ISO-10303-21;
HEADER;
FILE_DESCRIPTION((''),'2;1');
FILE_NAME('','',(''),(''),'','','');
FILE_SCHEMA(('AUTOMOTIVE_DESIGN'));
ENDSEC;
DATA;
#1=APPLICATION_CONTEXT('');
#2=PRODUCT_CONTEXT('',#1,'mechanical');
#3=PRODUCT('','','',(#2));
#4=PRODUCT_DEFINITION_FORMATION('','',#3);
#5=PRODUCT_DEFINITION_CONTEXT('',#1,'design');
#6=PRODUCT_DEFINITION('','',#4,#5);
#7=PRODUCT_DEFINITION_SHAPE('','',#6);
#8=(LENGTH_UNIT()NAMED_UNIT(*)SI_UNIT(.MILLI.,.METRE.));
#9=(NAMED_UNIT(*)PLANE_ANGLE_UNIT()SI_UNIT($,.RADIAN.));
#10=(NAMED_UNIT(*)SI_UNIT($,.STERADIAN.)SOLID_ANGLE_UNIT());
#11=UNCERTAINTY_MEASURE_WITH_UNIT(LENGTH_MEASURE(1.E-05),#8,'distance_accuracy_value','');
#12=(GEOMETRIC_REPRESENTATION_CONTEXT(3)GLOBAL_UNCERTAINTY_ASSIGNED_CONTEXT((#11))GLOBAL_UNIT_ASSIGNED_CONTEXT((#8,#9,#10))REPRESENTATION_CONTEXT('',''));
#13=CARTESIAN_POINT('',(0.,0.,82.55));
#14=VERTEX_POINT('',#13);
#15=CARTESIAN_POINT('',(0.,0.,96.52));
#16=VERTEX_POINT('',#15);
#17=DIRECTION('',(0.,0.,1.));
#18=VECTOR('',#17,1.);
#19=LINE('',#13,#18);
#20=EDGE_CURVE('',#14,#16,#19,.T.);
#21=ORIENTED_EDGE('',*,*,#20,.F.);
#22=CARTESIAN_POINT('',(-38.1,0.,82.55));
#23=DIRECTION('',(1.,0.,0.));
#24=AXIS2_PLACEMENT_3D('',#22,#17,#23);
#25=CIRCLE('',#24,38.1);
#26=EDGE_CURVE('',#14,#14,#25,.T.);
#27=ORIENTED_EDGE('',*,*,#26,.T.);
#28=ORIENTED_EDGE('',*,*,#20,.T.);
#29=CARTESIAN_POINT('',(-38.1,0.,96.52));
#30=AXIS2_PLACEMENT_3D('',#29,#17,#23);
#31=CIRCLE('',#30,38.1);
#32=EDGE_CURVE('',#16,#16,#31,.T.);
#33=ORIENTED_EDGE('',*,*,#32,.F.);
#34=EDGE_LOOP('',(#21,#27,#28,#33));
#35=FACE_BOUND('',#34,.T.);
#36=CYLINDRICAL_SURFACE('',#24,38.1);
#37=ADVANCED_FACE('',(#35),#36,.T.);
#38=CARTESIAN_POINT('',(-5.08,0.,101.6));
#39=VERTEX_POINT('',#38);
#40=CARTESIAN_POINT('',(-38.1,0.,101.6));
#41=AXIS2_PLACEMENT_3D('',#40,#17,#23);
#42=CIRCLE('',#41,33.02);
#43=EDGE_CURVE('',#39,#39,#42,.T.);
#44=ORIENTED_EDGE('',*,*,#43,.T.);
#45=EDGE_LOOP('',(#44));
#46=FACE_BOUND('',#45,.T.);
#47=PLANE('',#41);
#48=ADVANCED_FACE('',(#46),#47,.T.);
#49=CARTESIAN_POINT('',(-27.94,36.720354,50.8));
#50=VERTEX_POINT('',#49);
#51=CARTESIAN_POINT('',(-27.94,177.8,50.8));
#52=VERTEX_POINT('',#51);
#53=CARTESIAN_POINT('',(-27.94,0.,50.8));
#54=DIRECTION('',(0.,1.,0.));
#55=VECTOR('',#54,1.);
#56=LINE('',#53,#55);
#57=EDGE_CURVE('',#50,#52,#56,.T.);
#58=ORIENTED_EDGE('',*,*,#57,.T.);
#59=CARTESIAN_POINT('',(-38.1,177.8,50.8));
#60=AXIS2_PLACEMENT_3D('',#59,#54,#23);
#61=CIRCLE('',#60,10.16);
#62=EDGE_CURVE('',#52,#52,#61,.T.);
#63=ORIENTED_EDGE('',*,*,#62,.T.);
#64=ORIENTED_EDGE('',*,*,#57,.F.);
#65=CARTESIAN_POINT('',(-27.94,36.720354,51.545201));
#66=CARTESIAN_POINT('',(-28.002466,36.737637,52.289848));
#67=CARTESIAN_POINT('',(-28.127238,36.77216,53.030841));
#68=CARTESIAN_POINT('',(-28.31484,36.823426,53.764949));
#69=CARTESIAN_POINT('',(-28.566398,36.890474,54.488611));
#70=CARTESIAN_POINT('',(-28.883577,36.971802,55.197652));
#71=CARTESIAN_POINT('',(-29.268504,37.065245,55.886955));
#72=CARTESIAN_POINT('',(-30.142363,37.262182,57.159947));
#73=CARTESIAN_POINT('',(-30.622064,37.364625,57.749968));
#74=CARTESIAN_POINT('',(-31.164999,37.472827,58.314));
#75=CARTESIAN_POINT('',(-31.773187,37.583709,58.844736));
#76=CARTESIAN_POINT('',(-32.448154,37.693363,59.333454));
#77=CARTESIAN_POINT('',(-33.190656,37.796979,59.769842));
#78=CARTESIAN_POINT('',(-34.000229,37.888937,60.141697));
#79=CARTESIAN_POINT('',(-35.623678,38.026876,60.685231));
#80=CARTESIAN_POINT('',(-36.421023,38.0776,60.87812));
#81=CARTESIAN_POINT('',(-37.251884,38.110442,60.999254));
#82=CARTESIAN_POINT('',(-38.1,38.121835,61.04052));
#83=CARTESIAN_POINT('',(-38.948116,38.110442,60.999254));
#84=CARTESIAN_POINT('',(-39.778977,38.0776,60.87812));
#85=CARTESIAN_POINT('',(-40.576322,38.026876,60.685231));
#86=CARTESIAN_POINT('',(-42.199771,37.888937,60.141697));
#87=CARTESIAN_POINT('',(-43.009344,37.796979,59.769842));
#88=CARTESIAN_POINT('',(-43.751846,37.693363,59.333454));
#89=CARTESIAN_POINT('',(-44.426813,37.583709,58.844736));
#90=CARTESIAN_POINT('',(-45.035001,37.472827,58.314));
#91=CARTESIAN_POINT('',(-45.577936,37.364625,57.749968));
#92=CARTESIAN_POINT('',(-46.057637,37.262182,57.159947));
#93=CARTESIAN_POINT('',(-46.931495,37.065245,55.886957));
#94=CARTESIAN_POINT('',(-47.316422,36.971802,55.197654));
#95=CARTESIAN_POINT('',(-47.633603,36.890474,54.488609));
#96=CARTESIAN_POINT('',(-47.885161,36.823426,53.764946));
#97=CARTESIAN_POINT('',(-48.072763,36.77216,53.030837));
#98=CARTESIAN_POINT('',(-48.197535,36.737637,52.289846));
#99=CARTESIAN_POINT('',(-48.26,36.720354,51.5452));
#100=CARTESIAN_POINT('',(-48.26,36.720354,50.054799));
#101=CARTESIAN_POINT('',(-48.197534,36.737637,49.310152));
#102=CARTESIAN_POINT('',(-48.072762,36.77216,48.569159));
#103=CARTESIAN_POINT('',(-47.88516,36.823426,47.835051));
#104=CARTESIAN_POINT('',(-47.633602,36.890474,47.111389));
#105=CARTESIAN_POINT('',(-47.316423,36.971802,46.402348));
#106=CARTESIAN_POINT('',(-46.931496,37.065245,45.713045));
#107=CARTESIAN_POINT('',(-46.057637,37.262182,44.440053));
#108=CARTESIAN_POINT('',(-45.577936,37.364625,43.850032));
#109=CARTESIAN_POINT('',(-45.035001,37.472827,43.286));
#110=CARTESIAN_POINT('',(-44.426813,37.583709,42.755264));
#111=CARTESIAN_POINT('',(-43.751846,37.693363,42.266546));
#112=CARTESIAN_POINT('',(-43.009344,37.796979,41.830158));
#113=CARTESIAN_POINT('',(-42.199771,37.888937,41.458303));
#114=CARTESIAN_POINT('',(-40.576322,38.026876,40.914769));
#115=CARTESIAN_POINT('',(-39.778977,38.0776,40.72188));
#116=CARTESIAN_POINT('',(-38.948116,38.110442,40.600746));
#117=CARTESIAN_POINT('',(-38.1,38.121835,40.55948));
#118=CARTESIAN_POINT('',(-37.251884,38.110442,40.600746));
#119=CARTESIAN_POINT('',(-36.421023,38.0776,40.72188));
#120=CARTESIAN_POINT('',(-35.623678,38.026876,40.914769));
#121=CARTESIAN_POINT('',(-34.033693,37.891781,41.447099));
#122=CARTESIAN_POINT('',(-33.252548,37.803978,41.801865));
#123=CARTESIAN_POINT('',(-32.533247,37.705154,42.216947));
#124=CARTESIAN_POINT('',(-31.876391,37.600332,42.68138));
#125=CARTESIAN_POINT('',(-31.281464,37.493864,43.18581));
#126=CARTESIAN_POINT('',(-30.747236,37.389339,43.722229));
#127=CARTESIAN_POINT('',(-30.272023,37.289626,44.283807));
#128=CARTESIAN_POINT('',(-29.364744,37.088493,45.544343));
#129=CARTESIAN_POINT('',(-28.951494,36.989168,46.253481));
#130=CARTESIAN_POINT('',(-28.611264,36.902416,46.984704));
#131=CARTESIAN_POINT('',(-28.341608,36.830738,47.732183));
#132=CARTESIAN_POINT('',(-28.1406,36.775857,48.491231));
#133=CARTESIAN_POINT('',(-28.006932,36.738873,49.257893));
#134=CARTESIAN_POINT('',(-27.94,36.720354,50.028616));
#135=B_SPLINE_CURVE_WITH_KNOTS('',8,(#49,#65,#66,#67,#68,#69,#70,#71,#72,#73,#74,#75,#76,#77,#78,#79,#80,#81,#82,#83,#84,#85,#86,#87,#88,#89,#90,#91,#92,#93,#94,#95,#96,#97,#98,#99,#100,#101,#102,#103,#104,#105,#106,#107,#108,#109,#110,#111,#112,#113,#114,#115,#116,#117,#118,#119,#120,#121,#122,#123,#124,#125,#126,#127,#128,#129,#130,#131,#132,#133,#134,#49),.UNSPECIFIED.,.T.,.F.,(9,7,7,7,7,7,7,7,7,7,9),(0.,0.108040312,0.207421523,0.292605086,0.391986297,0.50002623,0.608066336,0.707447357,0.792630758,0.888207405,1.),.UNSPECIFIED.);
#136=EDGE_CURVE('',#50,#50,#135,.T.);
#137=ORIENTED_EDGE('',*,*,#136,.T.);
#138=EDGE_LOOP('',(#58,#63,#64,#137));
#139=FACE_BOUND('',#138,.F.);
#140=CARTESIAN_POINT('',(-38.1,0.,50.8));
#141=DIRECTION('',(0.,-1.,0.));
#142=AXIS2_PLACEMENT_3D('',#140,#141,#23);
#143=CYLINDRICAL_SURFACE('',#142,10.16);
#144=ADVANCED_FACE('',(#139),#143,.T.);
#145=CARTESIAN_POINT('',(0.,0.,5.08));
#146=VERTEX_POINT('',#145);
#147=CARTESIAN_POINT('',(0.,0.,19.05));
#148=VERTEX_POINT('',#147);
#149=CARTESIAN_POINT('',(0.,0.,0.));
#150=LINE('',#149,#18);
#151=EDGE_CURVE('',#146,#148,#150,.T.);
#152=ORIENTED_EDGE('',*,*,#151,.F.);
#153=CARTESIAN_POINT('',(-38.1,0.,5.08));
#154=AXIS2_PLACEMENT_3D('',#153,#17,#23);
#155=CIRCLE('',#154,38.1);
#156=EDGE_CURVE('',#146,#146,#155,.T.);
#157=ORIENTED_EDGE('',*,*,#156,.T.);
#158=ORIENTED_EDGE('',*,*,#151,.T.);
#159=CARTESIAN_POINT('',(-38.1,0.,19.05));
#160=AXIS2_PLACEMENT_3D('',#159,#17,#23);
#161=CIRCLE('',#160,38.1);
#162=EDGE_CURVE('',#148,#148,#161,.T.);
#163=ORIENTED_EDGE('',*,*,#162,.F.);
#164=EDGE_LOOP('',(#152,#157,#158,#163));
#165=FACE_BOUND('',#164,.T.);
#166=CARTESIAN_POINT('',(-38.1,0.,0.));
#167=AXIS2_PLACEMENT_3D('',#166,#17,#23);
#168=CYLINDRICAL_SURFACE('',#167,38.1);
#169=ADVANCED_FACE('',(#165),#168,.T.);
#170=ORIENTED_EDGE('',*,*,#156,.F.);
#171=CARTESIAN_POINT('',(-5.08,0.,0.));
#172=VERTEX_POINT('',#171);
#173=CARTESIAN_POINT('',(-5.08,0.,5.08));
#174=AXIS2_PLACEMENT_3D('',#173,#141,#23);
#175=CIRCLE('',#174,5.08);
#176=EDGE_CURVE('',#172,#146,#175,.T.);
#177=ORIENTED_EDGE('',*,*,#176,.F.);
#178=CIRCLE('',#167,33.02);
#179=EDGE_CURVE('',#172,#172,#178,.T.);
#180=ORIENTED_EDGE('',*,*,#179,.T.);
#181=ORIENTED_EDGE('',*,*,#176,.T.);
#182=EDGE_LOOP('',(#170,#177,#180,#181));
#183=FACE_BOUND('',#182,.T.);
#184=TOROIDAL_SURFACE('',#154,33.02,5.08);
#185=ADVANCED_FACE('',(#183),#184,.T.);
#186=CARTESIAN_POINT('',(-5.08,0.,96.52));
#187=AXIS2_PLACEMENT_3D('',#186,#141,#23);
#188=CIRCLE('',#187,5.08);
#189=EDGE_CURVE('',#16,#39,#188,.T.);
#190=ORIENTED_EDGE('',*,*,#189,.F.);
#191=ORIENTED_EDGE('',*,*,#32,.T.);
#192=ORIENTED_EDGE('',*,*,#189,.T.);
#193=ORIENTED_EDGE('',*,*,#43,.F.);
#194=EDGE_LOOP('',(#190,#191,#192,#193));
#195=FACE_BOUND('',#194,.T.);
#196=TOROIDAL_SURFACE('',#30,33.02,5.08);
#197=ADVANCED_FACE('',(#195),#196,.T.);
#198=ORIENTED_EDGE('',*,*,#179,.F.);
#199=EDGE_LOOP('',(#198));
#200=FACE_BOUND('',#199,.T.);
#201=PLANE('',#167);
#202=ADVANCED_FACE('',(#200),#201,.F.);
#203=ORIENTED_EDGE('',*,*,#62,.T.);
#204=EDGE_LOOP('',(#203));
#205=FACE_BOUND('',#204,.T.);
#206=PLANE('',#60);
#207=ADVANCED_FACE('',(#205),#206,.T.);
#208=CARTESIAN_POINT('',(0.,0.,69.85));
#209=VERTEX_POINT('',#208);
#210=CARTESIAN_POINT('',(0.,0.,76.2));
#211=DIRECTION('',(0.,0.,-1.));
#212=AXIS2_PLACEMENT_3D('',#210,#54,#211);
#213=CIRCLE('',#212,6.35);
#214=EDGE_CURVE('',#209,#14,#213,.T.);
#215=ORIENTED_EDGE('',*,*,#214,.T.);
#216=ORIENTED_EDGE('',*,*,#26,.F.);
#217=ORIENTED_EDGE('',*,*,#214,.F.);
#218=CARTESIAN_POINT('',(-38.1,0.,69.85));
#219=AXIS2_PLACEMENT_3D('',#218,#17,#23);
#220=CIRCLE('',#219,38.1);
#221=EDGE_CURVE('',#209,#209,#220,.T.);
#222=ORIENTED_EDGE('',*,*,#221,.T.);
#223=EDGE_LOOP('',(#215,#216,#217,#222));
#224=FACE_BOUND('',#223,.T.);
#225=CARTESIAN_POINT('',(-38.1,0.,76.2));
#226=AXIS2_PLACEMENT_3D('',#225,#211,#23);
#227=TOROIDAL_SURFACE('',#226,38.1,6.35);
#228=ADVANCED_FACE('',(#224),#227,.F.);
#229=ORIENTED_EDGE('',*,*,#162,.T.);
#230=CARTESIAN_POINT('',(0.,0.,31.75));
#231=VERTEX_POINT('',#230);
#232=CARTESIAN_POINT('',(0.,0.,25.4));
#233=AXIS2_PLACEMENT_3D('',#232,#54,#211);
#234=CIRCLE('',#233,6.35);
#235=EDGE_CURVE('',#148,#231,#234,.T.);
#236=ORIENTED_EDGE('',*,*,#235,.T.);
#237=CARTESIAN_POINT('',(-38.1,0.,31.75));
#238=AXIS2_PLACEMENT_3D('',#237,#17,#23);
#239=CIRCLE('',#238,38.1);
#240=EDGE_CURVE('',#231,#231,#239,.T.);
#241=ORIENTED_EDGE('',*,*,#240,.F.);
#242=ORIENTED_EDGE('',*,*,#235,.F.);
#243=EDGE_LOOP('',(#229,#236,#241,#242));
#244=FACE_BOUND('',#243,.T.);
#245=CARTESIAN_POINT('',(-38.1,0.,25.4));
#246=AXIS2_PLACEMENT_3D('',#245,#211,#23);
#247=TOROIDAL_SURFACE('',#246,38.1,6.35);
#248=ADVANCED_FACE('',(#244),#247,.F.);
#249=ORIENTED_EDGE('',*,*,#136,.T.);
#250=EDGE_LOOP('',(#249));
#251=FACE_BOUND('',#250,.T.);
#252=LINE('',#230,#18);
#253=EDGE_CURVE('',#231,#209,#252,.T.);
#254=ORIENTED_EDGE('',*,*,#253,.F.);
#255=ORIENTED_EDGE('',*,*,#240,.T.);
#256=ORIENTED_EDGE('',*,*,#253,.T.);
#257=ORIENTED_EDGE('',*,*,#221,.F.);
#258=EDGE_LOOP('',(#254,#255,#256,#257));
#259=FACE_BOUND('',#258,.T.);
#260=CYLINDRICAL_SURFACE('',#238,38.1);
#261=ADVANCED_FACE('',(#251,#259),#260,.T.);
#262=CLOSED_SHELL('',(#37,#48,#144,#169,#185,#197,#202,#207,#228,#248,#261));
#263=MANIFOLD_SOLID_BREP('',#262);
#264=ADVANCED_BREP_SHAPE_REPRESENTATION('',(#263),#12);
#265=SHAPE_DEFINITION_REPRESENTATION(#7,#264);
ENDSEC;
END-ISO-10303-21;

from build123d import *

# Parameters (mm, degrees)
F2_R      = 5.08
F3_R      = 10.16
F4_DEPTH  = 152.4
F4_FACE_R = 10.16
F5_DEPTH  = 177.8


with BuildPart() as f1:
    # F0 (on Front) → F1 (revolve)
    with BuildSketch(Plane.XZ):
        with BuildLine():
            Line((-38.1, 0), (0, 0))
            Line((0, 0), (0, 19.05))
            ThreePointArc((0, 19.05), (-6.35, 25.4), (0, 31.75))
            Line((0, 31.75), (0, 69.85))
            ThreePointArc((0, 69.85), (-6.35, 76.2), (0, 82.55))
            Line((0, 82.55), (0, 101.6))
            Line((0, 101.6), (-38.1, 101.6))
            Line((-38.1, 101.6), (-38.1, 0))
        make_face()
    revolve(axis=Axis((-38.1, 0, 50.8), (0, 0, 1)))

    # F2
    f2_edges = [f1.edges().sort_by_distance(p)[0] for p in [
        (-76.2, 0, 101.6),
        (-76.2, 0, 0),
    ]]
    fillet(f2_edges, radius=F2_R)

    # F3 (on Front) → F4 (cut)
    with BuildSketch(Plane.XZ):
        with Locations((-38.1, 50.8)):
            Circle(F3_R)
    extrude(amount=-F4_DEPTH, mode=Mode.SUBTRACT)

    # F4_face (on face) → F5 (join)
    with BuildSketch(Plane(origin=(-38.1, 0, 50.8), x_dir=(1, 0, 0), z_dir=(0, 1, 0))):
        Circle(F4_FACE_R)
    extrude(amount=F5_DEPTH)


solid = f1.part
